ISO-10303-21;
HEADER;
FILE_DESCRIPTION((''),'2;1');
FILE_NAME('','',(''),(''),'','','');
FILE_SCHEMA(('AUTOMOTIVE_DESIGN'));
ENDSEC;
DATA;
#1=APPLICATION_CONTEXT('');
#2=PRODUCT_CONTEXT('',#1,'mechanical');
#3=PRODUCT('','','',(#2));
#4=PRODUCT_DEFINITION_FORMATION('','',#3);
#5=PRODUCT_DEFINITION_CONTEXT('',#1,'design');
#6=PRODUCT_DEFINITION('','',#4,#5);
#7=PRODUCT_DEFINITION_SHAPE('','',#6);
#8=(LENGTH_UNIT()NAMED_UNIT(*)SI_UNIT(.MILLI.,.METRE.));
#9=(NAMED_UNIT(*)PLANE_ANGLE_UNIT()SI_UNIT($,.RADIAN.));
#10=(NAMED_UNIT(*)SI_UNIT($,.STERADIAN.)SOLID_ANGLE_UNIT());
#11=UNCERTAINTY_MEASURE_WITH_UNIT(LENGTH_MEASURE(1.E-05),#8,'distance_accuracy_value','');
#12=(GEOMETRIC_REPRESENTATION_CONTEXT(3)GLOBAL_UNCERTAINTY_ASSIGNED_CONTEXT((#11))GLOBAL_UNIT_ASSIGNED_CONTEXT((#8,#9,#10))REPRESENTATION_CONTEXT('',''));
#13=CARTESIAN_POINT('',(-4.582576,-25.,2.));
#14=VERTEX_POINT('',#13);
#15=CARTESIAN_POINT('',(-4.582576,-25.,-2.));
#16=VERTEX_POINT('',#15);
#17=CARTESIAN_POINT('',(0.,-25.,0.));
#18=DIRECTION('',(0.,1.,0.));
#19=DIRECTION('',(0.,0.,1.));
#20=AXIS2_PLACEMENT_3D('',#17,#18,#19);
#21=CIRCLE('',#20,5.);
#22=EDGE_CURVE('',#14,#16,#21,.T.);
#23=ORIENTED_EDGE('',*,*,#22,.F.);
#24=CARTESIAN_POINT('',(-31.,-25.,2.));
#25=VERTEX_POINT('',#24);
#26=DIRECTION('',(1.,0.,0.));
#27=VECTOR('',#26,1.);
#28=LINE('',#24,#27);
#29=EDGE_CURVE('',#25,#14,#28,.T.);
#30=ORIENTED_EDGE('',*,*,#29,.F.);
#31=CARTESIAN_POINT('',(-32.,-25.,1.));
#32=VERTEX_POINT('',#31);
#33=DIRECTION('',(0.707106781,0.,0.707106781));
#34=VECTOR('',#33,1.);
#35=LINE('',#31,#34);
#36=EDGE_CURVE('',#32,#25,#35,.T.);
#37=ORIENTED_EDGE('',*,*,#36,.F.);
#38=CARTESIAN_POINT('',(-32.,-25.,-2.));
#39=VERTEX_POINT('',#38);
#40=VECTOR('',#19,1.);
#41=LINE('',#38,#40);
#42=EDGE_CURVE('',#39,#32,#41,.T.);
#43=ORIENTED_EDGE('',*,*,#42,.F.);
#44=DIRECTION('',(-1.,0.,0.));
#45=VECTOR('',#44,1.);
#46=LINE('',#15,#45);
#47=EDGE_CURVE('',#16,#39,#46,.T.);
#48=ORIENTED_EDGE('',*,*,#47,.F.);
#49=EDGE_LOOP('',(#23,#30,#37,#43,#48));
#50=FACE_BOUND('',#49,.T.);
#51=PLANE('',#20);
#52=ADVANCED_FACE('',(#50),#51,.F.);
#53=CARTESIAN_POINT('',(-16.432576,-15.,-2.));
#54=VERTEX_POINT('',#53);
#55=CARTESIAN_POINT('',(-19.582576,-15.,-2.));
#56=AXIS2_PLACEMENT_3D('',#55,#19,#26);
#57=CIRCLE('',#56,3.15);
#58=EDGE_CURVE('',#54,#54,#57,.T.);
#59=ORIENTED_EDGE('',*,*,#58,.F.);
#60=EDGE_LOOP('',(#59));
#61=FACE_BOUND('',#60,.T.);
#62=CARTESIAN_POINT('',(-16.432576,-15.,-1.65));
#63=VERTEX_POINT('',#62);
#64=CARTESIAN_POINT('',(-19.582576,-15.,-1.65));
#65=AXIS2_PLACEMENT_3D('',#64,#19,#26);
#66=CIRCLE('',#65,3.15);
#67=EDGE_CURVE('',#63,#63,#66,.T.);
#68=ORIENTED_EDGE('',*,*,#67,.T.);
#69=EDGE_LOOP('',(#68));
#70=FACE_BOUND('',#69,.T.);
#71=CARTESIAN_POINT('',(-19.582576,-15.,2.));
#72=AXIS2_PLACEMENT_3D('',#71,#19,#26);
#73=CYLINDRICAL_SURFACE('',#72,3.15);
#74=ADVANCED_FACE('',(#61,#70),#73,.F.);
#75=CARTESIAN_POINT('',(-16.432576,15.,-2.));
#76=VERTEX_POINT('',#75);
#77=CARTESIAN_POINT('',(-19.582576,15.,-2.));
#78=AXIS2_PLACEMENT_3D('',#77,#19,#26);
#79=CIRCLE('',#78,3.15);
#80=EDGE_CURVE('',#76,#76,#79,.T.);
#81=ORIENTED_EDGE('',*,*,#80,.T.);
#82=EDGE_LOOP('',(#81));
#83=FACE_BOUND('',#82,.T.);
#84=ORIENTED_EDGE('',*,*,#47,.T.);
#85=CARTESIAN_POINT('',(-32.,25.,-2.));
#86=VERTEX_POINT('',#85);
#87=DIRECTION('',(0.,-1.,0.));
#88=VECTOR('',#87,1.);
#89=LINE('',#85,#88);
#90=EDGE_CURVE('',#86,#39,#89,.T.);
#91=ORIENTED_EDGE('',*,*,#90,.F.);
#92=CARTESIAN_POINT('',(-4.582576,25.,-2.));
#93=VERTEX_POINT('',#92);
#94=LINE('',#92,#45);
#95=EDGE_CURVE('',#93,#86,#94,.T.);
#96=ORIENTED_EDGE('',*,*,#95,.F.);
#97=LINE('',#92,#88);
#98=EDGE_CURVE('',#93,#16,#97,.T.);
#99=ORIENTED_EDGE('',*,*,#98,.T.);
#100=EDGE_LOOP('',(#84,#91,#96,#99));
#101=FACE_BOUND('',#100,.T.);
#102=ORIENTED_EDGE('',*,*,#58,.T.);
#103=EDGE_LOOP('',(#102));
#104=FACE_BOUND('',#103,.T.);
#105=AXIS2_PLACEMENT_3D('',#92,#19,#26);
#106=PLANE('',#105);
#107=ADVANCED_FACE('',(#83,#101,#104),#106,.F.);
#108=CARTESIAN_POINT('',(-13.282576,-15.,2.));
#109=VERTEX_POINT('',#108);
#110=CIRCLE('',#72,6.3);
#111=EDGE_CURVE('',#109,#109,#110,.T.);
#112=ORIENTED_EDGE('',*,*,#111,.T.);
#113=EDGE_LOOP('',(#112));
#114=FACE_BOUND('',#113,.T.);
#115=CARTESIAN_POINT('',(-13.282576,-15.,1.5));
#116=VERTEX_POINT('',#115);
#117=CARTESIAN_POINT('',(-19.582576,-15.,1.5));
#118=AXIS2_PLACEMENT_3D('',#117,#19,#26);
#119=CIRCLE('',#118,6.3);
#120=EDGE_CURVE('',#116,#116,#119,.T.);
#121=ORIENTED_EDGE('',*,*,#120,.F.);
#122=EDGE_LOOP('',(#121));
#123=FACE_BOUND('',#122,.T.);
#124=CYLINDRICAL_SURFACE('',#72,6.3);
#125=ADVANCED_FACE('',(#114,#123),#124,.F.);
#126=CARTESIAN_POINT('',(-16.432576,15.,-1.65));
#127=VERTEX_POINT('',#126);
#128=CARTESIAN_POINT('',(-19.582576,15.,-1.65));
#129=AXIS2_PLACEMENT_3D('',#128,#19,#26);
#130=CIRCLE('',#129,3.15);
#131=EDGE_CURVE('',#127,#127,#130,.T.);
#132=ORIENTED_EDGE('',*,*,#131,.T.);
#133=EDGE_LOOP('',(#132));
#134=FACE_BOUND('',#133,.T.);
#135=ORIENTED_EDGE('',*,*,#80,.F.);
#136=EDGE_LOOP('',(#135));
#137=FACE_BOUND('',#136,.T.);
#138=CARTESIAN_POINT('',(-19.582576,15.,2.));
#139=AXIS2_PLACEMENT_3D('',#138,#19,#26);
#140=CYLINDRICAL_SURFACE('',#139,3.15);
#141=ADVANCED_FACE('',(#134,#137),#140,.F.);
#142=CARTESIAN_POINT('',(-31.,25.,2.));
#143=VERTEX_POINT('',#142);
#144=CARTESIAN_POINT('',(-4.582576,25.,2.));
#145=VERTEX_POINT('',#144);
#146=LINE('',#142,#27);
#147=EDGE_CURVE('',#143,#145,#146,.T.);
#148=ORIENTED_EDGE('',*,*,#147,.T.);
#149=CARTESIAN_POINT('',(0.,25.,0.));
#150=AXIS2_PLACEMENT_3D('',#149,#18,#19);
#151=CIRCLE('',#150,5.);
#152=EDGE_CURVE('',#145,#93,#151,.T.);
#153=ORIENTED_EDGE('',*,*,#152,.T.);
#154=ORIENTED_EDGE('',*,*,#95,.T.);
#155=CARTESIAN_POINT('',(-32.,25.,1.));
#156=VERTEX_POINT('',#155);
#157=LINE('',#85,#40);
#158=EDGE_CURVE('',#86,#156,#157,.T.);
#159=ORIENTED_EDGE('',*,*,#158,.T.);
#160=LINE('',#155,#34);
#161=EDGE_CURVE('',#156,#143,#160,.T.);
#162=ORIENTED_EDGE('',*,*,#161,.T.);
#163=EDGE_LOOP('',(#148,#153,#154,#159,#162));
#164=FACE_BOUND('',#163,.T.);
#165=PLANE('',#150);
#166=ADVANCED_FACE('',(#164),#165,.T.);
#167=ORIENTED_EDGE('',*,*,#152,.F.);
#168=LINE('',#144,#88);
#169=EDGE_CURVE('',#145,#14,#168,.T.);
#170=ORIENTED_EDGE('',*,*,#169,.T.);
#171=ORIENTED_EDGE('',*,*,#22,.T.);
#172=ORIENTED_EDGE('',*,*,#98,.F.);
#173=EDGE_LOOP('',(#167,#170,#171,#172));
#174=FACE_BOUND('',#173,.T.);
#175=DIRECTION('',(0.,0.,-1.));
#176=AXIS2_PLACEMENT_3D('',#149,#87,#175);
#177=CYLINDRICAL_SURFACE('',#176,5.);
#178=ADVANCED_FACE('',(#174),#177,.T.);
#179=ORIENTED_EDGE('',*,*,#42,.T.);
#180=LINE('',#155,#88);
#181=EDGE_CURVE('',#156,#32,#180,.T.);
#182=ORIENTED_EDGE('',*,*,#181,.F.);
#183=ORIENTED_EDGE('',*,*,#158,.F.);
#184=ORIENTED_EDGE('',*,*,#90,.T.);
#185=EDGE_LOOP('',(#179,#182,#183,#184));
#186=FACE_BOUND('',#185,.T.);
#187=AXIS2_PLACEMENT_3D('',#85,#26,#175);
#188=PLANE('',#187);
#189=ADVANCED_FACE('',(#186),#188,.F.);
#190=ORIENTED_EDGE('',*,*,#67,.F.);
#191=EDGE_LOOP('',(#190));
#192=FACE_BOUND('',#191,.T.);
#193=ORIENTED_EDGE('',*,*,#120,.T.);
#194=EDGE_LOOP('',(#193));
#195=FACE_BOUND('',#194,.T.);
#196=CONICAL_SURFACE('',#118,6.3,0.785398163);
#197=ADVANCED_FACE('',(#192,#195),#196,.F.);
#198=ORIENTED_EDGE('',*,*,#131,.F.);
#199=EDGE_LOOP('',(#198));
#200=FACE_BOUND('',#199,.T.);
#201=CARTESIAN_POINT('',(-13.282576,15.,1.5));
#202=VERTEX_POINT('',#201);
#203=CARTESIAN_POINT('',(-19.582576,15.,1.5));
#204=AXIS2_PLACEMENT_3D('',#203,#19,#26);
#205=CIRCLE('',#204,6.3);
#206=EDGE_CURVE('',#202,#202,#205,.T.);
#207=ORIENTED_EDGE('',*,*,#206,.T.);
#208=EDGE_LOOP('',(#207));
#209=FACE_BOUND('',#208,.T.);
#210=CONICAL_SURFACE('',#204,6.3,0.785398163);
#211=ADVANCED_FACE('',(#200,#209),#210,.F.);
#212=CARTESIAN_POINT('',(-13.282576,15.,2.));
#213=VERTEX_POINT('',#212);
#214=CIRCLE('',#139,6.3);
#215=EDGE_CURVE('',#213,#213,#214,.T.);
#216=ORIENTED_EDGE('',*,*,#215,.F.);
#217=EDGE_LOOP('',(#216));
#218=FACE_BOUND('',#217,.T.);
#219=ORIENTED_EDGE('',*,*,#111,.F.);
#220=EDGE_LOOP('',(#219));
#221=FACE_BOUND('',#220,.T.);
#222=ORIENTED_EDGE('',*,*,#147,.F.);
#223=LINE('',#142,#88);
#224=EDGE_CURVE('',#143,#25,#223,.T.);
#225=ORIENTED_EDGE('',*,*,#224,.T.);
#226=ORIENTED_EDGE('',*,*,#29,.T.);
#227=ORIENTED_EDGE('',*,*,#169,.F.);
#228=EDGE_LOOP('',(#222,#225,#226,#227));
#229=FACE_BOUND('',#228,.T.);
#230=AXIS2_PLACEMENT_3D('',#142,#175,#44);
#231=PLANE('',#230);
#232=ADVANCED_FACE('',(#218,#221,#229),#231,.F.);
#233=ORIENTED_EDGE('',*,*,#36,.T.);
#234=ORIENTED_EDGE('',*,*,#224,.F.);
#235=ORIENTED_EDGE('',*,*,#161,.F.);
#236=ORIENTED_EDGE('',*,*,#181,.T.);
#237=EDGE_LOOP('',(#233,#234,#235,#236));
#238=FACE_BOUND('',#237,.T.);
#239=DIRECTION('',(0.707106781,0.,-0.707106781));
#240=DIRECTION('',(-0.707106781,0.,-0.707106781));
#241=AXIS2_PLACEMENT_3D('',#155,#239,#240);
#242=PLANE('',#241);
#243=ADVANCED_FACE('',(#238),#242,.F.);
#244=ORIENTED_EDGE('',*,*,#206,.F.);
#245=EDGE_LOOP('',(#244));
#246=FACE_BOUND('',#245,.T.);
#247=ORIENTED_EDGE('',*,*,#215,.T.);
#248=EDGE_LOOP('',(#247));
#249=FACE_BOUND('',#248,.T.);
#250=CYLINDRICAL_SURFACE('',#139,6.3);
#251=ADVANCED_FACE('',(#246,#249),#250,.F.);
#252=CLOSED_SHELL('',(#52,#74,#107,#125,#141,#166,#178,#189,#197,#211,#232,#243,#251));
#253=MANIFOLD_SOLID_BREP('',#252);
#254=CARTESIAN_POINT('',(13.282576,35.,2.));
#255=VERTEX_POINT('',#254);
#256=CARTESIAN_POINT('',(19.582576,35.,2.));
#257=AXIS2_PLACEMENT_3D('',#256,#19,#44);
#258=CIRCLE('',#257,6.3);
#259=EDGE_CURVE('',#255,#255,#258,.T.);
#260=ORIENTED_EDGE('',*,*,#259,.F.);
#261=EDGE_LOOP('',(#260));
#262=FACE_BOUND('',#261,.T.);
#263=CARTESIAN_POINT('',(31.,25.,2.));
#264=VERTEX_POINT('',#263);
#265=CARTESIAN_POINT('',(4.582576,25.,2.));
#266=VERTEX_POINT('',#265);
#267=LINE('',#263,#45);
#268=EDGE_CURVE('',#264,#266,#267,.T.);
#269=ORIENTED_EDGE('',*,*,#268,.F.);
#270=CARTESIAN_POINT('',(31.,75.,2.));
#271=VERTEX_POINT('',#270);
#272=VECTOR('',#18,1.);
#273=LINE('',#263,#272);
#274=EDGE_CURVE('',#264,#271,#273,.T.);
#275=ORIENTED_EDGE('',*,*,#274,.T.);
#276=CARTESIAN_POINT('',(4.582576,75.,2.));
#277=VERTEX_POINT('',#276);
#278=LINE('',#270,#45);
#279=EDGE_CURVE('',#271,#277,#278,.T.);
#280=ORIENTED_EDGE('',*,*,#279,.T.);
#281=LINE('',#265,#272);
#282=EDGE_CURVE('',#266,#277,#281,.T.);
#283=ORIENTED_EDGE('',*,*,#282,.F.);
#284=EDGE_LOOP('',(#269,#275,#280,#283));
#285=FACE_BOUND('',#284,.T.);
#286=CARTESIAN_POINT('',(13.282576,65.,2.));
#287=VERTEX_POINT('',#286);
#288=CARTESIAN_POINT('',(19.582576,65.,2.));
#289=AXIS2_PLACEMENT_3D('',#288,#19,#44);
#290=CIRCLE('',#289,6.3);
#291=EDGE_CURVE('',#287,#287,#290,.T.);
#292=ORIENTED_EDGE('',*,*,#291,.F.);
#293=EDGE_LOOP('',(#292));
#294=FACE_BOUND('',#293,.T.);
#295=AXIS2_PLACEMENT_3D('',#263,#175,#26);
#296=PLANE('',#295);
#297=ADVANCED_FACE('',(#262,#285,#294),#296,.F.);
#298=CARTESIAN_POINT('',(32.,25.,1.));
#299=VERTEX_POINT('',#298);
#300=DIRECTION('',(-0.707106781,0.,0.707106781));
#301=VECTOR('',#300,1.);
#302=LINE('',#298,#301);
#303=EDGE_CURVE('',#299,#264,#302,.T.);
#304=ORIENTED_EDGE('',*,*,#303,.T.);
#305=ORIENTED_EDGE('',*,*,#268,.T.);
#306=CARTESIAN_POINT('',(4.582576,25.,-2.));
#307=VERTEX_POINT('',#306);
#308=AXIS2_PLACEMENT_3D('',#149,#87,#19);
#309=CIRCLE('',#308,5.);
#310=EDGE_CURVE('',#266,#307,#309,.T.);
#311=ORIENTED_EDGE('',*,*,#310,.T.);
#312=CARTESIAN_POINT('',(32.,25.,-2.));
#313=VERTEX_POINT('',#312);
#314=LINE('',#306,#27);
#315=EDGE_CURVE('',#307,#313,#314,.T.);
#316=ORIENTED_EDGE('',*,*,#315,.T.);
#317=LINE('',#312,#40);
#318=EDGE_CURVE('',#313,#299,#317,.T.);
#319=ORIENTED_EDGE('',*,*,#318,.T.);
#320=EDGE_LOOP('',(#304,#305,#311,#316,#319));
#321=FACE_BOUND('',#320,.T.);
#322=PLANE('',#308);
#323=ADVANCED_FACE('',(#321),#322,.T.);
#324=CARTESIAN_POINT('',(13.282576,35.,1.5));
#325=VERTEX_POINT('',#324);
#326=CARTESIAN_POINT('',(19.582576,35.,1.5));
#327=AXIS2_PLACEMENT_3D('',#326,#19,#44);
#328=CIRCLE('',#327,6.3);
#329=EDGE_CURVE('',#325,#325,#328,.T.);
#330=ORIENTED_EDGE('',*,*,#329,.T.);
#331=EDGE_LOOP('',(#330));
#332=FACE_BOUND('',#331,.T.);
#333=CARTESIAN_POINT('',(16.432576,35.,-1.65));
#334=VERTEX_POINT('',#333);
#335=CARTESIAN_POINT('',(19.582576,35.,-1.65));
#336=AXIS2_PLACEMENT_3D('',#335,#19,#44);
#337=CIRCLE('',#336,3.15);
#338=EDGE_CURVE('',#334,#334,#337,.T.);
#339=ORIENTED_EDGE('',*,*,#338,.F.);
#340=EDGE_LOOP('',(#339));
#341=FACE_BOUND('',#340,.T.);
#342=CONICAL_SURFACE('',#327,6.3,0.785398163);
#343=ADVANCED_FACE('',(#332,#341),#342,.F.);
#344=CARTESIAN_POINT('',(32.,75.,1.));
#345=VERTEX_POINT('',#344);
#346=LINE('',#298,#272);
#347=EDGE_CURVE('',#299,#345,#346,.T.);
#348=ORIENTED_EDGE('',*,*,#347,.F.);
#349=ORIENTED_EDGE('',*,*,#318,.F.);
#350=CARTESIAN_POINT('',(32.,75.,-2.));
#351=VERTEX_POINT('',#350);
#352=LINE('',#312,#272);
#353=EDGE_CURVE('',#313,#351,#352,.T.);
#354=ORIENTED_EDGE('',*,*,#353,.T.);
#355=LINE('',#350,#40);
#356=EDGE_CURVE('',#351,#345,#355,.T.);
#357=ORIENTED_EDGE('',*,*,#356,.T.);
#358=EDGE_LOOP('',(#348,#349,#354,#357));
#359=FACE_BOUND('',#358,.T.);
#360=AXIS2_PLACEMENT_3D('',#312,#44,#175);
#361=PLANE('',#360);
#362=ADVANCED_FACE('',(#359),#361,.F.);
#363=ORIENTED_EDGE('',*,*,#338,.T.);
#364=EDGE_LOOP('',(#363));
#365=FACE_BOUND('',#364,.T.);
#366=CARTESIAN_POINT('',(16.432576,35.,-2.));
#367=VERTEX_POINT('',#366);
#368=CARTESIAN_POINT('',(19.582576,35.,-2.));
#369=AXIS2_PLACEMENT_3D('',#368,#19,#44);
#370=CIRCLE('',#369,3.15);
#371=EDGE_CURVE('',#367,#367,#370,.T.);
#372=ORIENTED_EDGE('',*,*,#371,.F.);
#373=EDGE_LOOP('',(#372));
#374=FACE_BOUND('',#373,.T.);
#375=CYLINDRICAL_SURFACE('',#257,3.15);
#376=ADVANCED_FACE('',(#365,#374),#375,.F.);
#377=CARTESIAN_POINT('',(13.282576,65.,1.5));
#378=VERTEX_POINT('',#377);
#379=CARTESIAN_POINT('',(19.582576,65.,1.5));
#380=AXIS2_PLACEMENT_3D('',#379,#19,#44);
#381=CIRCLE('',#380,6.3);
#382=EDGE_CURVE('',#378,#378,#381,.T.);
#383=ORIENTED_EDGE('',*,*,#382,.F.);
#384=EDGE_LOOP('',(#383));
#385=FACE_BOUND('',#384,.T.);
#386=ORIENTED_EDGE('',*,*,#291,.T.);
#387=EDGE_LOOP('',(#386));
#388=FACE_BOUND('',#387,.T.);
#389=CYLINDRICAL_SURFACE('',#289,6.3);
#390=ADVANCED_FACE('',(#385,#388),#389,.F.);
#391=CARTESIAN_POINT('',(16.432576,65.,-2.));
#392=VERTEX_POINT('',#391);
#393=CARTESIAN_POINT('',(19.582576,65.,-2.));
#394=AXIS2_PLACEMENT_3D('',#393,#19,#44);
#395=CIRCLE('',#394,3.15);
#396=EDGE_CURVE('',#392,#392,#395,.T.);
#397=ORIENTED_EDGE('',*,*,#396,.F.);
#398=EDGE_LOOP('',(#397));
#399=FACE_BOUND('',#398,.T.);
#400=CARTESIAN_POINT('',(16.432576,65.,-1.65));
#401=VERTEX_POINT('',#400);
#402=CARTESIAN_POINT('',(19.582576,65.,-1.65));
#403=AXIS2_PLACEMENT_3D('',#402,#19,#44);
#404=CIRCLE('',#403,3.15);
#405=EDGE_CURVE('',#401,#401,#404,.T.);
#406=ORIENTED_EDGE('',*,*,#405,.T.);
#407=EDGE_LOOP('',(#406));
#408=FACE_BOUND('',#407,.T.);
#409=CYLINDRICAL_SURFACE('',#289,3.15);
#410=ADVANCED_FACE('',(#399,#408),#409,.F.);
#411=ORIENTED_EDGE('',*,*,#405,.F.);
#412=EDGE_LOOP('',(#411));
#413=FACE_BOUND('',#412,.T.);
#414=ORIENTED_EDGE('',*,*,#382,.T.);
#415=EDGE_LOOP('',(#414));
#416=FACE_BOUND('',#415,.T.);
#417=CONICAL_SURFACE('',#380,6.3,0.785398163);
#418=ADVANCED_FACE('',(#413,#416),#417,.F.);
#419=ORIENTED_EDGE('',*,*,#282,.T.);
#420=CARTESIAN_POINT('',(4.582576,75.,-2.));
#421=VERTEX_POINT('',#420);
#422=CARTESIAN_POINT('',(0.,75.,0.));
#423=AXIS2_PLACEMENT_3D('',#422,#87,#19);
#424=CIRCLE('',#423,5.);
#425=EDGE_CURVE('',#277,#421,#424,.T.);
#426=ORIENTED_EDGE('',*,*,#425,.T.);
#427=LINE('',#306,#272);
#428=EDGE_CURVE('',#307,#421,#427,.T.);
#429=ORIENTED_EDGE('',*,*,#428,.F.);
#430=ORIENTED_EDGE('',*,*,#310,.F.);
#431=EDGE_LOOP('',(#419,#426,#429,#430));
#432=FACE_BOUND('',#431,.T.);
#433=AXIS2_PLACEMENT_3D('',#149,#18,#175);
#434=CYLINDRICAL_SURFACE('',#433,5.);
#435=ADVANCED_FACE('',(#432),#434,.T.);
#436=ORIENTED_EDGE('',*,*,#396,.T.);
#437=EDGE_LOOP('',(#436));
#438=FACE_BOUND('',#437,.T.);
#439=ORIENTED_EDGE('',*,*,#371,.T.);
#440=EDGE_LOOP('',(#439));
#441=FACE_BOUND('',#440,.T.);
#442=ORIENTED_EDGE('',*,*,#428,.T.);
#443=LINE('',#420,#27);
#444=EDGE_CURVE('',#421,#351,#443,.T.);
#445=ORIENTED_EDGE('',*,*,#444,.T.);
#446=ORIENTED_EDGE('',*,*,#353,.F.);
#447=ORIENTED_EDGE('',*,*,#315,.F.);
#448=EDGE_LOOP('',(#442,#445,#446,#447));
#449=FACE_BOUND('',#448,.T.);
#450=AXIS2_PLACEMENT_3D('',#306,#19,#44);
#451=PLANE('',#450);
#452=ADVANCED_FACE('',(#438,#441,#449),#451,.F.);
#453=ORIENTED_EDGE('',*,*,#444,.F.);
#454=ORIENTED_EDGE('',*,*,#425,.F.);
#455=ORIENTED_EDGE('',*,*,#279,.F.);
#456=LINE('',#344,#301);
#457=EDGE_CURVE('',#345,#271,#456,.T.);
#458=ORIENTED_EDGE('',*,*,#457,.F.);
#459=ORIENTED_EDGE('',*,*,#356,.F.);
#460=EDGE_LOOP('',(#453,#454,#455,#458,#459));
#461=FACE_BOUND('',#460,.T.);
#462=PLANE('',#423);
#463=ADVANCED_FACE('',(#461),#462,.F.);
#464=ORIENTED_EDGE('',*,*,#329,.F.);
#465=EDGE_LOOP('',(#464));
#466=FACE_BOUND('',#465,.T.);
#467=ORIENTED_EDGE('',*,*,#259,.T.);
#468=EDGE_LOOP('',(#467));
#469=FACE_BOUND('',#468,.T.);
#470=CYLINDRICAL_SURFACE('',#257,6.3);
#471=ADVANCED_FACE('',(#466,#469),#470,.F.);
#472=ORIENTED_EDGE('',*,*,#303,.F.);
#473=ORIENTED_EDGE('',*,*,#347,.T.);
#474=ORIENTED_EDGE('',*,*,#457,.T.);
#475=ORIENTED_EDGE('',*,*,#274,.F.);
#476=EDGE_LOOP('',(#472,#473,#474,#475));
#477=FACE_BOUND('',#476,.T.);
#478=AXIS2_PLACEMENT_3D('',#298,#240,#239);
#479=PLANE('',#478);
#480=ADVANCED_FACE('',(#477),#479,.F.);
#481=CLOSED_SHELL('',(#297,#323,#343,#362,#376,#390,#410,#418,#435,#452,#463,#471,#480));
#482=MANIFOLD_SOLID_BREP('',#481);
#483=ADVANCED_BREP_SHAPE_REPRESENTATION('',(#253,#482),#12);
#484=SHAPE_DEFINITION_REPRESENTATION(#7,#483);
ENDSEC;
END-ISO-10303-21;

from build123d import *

# Parameters (mm, degrees)
EXTRUDE_1_DEPTH            = 25
HOLE_WIZARD_M61_AT_2_COUNT = 2
HOLE_WIZARD_M61_AT_2_PITCH = 30
PATTERN_CIRCULAR_1_COUNT   = 2


with BuildPart() as part:
    # Эскиз1 → Бобышка-Вытянуть1 (new body, symmetric)
    with BuildSketch(Plane(origin=(0, 0, 0), x_dir=(1, 0, 0), z_dir=(0, 1, 0))):
        with BuildLine():
            Line((-4.582575695, 2), (-32, 2))
            Line((-32, 2), (-32, -1))
            Line((-32, -1), (-31, -2))
            Line((-31, -2), (-4.582575695, -2))
            ThreePointArc((-4.582575695, -2), (5, 0), (-4.582575695, 2))
        make_face()
    extrude(amount=EXTRUDE_1_DEPTH, both=True)

    # Эскиз6 → Зенковка для винта с полупотайной головкой M61 (revolve, cut)
    with BuildSketch(Plane(origin=(-19.582575695, 15, 2), x_dir=(0, -1, 0), z_dir=(1, 0, 0))):
        Polygon((0, 0), (0, 7), (3.15, 7), (3.15, 3.65), (6.3, 0.5), (6.3, 0), align=None)
    hole_wizard_m61 = revolve(axis=Axis((-19.582575695, 15, 8.35), (0, 0, -1)), mode=Mode.SUBTRACT)

    # Зенковка для винта с полупотайной головкой M61 at 2: Зенковка для винта с полупотайной головкой M61 ×2
    with Locations(*[(0, -i * HOLE_WIZARD_M61_AT_2_PITCH, 0) for i in range(1, HOLE_WIZARD_M61_AT_2_COUNT)]):
        add(hole_wizard_m61, mode=Mode.SUBTRACT)


with BuildPart() as pattern_circular_1_1:
    # Круговой массив1: pattern copy
    add(part.part.rotate(Axis((0, 25, 0), (0, 0, 1)), 1 * 360 / PATTERN_CIRCULAR_1_COUNT))


solid = Compound([part.part, pattern_circular_1_1.part])
